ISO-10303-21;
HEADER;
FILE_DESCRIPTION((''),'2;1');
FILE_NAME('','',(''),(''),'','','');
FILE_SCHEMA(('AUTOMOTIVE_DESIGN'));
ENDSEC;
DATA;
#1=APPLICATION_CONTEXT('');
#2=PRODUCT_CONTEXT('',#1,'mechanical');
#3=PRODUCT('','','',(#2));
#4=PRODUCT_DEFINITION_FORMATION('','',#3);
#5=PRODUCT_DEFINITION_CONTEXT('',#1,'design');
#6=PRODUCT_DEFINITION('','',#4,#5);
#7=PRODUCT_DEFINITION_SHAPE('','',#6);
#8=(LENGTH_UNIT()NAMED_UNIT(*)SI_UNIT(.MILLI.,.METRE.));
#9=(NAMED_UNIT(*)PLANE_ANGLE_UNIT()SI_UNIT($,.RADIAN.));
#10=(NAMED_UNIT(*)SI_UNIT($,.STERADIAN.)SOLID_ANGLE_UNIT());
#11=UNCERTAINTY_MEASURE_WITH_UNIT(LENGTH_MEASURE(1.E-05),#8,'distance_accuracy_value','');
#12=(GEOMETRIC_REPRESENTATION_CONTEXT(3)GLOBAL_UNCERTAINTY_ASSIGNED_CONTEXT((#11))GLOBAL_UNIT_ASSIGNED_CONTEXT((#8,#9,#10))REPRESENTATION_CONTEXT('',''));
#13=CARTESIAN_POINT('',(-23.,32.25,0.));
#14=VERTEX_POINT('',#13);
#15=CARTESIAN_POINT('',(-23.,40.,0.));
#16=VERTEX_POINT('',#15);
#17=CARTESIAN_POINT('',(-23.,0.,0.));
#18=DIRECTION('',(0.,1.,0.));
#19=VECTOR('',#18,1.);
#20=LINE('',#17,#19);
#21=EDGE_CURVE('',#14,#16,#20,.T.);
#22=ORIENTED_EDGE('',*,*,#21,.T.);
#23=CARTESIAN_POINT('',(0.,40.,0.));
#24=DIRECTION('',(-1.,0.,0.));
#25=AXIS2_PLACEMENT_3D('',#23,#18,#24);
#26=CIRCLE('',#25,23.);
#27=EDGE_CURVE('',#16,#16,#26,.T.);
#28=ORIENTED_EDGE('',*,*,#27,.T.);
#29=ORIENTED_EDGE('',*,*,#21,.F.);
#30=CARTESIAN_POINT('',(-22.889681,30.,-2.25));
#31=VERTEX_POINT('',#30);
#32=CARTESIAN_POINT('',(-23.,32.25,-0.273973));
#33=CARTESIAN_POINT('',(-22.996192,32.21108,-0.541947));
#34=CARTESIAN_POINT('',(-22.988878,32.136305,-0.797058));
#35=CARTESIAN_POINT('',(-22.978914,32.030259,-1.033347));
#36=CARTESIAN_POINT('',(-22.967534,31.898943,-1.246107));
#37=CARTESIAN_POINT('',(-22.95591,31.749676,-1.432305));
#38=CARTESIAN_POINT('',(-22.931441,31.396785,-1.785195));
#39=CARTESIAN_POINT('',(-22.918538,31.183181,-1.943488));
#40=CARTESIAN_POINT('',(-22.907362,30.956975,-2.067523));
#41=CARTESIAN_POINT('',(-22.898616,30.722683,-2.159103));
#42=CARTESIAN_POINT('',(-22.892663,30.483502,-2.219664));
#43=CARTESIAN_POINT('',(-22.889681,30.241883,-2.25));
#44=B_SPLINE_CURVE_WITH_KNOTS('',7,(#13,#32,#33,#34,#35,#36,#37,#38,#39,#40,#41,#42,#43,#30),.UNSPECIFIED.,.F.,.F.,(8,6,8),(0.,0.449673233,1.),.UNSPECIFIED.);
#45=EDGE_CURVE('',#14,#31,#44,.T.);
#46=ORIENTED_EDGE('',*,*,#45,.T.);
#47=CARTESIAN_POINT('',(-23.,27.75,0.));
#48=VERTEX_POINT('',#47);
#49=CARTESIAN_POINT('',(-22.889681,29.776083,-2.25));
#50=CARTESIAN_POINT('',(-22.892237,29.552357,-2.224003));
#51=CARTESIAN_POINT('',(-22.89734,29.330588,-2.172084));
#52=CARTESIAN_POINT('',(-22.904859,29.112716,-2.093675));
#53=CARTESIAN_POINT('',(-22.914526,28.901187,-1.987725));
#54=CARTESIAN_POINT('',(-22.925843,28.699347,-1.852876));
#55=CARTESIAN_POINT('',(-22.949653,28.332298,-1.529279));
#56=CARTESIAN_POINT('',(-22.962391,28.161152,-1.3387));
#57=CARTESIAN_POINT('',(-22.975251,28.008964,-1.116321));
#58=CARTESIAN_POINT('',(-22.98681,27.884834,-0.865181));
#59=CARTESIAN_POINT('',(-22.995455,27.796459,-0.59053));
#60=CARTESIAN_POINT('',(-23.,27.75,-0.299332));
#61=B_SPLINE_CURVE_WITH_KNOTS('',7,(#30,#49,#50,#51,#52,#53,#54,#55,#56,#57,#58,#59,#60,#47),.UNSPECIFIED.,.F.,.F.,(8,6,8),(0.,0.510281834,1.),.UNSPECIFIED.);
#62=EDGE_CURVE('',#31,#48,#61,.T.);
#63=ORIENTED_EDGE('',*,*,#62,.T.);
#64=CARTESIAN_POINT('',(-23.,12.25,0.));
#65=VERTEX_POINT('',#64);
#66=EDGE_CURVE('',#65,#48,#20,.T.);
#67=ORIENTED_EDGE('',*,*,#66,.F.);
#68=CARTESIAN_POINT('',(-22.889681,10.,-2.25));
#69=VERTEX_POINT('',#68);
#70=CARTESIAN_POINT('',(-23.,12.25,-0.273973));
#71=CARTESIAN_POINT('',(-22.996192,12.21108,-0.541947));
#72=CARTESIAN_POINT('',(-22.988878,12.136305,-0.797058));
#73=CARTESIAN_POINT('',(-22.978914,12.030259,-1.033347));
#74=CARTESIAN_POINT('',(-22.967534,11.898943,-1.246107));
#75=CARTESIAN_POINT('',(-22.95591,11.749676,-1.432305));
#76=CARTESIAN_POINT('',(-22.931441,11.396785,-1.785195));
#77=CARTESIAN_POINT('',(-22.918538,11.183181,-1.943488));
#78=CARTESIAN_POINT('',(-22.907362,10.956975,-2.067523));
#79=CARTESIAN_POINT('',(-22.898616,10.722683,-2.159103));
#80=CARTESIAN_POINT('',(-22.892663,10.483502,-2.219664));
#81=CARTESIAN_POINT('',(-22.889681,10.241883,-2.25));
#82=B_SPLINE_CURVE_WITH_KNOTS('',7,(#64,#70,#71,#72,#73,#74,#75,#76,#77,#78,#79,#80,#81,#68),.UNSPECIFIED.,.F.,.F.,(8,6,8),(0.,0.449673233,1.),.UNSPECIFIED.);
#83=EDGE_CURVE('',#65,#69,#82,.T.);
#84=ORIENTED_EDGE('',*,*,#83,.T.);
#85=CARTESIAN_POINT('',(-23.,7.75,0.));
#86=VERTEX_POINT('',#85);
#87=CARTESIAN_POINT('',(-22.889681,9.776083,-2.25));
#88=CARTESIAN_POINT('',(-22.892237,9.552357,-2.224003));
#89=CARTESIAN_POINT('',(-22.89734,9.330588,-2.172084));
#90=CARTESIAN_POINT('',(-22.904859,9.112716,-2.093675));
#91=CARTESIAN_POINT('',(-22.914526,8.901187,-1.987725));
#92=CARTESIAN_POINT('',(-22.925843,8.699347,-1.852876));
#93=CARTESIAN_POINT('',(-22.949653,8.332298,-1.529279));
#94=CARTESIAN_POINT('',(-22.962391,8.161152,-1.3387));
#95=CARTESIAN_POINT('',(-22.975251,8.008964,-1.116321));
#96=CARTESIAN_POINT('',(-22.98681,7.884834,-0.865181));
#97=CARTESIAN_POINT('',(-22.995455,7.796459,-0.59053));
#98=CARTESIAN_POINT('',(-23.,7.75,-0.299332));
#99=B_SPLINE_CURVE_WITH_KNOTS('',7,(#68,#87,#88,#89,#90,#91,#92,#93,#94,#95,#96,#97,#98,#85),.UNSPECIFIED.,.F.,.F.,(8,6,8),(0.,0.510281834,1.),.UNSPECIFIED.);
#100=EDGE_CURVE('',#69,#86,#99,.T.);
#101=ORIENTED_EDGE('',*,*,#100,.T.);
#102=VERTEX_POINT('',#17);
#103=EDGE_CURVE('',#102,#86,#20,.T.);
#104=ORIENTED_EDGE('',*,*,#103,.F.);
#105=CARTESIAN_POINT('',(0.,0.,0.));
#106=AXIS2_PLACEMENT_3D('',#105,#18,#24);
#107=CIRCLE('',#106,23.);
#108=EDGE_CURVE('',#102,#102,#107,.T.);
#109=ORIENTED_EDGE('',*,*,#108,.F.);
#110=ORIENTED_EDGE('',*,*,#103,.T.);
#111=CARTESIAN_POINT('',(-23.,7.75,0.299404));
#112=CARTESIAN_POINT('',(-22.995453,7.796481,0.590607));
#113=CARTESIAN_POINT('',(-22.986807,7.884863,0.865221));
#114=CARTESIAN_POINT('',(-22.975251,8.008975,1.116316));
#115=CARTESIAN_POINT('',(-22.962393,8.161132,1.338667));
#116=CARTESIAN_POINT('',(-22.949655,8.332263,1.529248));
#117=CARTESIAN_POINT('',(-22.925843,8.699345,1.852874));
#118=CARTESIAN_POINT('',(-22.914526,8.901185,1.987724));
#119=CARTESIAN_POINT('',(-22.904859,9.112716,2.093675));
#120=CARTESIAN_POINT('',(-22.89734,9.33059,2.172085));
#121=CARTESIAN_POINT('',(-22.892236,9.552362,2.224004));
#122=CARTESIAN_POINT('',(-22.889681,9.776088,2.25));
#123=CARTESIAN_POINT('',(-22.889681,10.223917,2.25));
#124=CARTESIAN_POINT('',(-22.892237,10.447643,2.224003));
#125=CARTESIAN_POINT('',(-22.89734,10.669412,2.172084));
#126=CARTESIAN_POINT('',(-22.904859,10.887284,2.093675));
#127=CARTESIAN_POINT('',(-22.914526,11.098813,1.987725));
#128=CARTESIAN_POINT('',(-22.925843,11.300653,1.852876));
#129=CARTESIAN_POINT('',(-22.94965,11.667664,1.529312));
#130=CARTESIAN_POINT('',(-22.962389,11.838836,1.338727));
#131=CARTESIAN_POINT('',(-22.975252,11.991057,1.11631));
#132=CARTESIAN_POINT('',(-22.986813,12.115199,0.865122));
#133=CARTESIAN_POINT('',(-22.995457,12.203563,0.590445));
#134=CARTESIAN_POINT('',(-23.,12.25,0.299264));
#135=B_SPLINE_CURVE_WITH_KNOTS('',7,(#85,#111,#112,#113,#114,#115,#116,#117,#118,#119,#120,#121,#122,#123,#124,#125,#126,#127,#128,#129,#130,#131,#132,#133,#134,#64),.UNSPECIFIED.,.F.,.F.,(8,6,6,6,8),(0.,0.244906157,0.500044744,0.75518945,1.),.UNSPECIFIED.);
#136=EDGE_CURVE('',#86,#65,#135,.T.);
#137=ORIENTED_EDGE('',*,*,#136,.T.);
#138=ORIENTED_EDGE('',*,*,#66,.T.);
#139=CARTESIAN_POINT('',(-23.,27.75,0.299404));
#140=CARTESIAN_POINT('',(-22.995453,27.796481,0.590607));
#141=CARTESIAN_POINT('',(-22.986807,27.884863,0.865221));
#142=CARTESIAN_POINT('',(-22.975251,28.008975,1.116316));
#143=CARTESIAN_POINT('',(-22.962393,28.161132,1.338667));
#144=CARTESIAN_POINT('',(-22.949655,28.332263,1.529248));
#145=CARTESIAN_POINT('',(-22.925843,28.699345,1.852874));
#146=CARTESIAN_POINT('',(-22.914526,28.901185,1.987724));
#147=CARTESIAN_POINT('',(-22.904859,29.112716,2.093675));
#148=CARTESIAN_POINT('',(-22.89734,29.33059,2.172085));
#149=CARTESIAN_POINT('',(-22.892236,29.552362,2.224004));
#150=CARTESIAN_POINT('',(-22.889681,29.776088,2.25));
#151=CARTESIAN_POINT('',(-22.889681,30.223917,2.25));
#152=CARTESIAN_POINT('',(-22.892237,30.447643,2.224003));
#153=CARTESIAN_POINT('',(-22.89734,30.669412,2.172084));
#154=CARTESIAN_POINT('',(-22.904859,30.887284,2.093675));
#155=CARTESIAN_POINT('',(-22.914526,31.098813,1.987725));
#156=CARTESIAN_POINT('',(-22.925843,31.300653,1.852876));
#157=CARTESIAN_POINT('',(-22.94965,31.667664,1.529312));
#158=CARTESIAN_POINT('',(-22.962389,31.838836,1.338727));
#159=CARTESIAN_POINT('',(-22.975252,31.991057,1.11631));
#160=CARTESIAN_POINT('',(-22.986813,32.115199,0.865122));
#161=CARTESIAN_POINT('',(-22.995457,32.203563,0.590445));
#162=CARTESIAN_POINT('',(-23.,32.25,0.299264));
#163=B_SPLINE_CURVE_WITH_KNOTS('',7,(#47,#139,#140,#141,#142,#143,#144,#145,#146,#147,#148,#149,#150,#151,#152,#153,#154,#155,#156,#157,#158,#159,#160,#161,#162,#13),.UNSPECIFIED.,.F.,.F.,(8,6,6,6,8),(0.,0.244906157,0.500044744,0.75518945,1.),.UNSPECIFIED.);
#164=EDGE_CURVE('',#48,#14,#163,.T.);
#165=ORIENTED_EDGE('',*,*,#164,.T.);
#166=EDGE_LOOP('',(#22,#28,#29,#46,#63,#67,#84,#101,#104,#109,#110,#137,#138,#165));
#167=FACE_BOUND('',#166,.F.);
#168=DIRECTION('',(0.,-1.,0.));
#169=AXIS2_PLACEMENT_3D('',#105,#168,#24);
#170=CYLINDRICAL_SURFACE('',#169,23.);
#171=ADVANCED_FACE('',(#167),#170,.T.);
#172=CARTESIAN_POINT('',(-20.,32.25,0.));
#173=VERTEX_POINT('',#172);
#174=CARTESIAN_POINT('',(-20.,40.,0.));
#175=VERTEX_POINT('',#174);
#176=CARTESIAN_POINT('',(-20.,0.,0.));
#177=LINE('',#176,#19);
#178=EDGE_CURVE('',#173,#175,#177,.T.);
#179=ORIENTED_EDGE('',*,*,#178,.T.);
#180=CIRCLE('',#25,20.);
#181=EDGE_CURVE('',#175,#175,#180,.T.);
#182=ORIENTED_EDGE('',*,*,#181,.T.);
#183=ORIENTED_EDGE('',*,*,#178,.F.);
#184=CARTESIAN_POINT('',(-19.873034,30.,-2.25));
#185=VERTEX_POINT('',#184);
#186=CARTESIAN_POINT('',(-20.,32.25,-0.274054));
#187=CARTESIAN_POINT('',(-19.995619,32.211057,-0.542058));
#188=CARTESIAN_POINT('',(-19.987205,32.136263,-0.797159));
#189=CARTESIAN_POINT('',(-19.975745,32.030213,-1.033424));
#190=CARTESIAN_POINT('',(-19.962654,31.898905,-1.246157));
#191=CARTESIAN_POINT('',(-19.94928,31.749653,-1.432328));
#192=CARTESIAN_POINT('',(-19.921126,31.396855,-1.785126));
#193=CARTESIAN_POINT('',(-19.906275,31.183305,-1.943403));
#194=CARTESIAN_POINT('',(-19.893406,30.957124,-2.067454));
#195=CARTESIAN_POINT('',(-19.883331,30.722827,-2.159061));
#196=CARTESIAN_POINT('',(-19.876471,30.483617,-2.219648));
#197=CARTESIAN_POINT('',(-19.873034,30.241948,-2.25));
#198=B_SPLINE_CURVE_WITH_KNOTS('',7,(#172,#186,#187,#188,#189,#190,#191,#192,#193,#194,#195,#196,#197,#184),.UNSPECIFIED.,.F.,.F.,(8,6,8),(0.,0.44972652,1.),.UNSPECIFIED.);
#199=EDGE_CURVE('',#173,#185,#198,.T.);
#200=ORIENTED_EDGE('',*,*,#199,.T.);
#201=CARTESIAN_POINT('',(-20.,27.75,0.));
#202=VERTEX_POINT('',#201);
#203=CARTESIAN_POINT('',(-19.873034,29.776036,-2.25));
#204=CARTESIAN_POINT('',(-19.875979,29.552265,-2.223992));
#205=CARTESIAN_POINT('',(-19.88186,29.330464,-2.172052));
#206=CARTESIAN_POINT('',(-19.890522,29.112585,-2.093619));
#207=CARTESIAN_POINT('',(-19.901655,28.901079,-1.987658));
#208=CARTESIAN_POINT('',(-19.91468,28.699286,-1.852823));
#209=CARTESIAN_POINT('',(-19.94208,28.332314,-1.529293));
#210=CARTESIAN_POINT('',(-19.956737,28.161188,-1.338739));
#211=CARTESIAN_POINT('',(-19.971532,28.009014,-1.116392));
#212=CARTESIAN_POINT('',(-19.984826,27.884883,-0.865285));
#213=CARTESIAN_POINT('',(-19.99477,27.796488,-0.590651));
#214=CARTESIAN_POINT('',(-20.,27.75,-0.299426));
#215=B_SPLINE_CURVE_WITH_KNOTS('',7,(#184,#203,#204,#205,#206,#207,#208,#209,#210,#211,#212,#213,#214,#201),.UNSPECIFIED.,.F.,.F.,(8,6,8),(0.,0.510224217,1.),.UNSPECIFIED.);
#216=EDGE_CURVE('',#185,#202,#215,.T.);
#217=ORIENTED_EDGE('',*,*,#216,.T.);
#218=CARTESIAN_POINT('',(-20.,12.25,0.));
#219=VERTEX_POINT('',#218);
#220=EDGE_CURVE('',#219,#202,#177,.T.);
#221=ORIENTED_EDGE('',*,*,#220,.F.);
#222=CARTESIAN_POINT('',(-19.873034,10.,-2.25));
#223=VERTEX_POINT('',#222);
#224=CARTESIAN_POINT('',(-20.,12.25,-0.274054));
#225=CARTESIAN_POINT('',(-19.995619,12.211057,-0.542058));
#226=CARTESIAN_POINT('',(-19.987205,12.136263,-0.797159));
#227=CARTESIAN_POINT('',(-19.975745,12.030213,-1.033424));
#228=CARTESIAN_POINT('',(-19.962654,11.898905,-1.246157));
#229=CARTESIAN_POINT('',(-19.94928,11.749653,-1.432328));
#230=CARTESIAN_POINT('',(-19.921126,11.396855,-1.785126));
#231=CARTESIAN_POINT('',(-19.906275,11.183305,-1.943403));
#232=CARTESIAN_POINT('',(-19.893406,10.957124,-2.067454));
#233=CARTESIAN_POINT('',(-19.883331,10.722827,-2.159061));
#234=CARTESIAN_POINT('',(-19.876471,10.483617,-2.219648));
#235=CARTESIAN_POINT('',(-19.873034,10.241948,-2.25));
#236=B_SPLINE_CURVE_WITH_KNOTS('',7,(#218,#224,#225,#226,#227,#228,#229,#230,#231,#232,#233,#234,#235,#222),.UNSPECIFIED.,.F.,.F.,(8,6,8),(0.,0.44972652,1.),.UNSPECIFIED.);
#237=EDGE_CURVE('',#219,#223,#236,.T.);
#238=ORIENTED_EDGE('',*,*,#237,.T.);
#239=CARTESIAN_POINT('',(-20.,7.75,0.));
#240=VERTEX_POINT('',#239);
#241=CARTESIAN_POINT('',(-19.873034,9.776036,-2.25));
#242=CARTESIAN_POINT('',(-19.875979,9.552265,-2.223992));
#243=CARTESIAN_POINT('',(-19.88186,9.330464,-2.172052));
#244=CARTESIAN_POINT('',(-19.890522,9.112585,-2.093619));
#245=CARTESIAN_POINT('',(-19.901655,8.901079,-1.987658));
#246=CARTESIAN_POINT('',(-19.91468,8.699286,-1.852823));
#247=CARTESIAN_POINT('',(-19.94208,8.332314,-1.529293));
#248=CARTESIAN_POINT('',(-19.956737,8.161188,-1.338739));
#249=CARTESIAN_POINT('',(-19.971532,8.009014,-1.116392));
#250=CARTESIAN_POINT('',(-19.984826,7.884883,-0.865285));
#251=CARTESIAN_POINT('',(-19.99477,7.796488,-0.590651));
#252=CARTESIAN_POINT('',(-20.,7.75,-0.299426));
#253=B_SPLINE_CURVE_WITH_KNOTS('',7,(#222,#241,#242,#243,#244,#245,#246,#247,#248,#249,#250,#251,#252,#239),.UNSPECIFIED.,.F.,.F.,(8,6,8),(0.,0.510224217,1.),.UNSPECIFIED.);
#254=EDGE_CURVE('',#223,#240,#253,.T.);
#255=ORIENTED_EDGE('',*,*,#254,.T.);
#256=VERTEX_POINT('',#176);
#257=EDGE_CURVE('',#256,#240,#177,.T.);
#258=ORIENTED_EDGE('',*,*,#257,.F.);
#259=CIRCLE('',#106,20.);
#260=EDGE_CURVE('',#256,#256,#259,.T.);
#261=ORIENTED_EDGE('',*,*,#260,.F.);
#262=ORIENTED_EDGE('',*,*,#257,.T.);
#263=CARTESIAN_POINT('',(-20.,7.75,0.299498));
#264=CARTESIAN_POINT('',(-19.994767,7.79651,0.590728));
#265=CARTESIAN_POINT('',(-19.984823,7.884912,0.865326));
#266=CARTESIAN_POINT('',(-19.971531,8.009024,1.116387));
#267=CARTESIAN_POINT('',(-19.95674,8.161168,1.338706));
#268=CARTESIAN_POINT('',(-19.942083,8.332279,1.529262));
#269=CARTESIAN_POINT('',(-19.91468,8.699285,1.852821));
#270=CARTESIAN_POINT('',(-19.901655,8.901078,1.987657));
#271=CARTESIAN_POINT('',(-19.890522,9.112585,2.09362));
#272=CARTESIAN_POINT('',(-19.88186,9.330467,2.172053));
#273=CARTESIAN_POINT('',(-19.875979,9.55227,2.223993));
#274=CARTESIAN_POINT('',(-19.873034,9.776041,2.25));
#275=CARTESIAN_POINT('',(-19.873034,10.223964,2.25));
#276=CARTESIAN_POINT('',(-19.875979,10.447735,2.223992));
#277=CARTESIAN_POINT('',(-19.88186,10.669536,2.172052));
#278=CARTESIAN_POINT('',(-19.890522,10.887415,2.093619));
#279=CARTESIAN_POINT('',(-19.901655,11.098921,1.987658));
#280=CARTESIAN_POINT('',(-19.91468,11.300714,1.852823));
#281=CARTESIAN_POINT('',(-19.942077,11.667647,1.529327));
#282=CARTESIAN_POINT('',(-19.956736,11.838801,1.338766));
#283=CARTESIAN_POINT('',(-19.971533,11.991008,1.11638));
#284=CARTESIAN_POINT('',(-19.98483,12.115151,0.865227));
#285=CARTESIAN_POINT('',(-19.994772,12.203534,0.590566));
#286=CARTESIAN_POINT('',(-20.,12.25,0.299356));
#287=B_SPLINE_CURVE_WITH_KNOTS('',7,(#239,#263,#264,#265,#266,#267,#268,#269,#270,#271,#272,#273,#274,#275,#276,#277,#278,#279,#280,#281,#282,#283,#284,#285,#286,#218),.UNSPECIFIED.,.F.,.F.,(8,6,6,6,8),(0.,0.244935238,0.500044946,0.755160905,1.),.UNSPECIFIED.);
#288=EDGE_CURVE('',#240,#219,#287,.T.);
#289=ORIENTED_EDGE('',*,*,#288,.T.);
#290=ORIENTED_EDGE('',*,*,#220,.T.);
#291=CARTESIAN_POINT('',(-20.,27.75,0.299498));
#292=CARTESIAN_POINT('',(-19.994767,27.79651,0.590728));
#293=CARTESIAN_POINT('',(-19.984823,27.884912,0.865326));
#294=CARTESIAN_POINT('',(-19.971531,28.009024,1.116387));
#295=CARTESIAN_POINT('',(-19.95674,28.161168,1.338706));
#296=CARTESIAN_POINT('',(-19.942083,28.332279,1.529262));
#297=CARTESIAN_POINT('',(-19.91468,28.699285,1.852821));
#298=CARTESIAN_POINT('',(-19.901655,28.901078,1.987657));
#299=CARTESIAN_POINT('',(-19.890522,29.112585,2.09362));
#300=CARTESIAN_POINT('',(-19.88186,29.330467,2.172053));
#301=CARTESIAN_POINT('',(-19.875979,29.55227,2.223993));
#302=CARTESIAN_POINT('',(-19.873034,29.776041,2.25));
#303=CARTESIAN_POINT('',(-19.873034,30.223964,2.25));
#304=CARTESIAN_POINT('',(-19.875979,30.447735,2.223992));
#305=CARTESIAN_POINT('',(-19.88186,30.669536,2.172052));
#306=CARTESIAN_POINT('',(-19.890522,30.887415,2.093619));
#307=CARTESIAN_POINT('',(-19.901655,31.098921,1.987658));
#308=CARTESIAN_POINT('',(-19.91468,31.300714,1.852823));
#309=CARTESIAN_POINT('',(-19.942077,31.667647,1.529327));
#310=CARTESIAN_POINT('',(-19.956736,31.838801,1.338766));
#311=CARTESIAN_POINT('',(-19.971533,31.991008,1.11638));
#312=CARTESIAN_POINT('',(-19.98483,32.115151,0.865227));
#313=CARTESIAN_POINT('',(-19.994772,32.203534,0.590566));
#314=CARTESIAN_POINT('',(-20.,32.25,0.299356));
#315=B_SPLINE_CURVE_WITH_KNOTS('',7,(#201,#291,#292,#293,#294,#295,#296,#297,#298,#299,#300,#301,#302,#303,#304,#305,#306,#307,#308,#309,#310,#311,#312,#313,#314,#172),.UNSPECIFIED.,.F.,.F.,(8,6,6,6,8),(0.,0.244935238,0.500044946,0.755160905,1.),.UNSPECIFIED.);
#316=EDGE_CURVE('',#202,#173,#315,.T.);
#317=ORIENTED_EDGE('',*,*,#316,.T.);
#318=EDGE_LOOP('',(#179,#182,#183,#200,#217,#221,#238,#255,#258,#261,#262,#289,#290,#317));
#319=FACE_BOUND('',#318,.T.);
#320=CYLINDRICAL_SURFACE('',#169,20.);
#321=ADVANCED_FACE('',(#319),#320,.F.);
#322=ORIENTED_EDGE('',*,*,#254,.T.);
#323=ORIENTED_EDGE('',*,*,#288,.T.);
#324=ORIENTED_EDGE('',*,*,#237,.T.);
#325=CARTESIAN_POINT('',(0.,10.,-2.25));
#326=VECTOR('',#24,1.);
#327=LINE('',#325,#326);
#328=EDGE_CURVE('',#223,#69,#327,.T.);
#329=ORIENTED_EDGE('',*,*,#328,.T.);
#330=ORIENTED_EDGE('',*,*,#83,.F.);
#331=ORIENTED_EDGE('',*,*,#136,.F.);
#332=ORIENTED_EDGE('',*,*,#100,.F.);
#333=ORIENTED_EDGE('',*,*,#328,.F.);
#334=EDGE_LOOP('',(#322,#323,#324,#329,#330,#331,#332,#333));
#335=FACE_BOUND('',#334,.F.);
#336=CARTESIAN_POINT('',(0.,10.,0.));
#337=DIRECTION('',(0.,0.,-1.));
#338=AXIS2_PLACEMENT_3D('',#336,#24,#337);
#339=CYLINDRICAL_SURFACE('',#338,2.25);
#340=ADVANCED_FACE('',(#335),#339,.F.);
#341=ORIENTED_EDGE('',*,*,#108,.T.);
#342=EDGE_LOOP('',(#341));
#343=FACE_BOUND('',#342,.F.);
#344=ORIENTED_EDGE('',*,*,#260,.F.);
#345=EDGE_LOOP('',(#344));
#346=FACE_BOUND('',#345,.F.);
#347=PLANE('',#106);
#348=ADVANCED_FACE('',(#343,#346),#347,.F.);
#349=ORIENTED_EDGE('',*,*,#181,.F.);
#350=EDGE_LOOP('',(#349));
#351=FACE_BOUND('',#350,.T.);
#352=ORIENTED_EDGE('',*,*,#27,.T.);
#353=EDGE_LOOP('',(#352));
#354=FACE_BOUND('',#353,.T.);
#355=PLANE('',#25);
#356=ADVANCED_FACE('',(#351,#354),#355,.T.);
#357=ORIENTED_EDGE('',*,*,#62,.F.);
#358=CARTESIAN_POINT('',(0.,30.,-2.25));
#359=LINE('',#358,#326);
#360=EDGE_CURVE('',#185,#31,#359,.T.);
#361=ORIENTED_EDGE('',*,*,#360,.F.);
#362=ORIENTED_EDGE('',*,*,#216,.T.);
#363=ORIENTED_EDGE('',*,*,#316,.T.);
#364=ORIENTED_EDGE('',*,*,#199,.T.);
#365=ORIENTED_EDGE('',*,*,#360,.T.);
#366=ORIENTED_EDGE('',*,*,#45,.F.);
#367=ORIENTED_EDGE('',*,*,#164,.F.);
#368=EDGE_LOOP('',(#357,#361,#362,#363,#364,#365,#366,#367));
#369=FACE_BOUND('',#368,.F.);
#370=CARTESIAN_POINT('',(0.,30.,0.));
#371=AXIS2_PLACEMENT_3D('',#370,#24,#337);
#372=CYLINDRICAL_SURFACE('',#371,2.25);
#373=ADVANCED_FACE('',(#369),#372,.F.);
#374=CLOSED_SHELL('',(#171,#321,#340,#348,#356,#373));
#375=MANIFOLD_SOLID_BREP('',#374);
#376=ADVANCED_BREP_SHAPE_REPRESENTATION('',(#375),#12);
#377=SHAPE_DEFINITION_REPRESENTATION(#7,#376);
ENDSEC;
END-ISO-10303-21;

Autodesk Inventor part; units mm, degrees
ref_plane "YZ Plane" through (0, 0, 0) normal (1, 0, 0) x (0, 1, 0)
ref_plane "XZ Plane" through (0, 0, 0) normal (0, 1, 0) x (-1, 0, 0)
ref_plane "XY Plane" through (0, 0, 0) normal (0, 0, 1) x (1, 0, 0)
sketch "Sketch1" plane through (0, 0, 0) normal (0, 1, 0) x (-1, 0, 0)
  circle A0 centre (0, 0) radius 23
  circle A1 centre (0, 0) radius 20
  dimension "d0" = 3
  dimension "d1" = 40
extrude "Extrusion1" add sketch "Sketch1" along normal blind 40
sketch "Sketch4" plane through (0, 0, 0) normal (1, 0, 0) x (0, 1, 0)
  line L0 (40, -23) -> (40, 23) projected
  line L1 (-8, 0) -> (48, 0) projected
  point P0 (0, 0)
  point P1 (30, 0)
  point P2 (10, 0)
  dimension "d18" = 20
  dimension "d19" = 10
hole "Hole2" at (0, 30, 0) at (0, 10, 0) direction (-1, 0, 0) diameter 4.5 end through all clearance for "Socket Head Cap Screw" size "M4" standard "Ansi Metric M Profile"
properties part number "Selection_Exit Pipe" material "PVC-Piping"
